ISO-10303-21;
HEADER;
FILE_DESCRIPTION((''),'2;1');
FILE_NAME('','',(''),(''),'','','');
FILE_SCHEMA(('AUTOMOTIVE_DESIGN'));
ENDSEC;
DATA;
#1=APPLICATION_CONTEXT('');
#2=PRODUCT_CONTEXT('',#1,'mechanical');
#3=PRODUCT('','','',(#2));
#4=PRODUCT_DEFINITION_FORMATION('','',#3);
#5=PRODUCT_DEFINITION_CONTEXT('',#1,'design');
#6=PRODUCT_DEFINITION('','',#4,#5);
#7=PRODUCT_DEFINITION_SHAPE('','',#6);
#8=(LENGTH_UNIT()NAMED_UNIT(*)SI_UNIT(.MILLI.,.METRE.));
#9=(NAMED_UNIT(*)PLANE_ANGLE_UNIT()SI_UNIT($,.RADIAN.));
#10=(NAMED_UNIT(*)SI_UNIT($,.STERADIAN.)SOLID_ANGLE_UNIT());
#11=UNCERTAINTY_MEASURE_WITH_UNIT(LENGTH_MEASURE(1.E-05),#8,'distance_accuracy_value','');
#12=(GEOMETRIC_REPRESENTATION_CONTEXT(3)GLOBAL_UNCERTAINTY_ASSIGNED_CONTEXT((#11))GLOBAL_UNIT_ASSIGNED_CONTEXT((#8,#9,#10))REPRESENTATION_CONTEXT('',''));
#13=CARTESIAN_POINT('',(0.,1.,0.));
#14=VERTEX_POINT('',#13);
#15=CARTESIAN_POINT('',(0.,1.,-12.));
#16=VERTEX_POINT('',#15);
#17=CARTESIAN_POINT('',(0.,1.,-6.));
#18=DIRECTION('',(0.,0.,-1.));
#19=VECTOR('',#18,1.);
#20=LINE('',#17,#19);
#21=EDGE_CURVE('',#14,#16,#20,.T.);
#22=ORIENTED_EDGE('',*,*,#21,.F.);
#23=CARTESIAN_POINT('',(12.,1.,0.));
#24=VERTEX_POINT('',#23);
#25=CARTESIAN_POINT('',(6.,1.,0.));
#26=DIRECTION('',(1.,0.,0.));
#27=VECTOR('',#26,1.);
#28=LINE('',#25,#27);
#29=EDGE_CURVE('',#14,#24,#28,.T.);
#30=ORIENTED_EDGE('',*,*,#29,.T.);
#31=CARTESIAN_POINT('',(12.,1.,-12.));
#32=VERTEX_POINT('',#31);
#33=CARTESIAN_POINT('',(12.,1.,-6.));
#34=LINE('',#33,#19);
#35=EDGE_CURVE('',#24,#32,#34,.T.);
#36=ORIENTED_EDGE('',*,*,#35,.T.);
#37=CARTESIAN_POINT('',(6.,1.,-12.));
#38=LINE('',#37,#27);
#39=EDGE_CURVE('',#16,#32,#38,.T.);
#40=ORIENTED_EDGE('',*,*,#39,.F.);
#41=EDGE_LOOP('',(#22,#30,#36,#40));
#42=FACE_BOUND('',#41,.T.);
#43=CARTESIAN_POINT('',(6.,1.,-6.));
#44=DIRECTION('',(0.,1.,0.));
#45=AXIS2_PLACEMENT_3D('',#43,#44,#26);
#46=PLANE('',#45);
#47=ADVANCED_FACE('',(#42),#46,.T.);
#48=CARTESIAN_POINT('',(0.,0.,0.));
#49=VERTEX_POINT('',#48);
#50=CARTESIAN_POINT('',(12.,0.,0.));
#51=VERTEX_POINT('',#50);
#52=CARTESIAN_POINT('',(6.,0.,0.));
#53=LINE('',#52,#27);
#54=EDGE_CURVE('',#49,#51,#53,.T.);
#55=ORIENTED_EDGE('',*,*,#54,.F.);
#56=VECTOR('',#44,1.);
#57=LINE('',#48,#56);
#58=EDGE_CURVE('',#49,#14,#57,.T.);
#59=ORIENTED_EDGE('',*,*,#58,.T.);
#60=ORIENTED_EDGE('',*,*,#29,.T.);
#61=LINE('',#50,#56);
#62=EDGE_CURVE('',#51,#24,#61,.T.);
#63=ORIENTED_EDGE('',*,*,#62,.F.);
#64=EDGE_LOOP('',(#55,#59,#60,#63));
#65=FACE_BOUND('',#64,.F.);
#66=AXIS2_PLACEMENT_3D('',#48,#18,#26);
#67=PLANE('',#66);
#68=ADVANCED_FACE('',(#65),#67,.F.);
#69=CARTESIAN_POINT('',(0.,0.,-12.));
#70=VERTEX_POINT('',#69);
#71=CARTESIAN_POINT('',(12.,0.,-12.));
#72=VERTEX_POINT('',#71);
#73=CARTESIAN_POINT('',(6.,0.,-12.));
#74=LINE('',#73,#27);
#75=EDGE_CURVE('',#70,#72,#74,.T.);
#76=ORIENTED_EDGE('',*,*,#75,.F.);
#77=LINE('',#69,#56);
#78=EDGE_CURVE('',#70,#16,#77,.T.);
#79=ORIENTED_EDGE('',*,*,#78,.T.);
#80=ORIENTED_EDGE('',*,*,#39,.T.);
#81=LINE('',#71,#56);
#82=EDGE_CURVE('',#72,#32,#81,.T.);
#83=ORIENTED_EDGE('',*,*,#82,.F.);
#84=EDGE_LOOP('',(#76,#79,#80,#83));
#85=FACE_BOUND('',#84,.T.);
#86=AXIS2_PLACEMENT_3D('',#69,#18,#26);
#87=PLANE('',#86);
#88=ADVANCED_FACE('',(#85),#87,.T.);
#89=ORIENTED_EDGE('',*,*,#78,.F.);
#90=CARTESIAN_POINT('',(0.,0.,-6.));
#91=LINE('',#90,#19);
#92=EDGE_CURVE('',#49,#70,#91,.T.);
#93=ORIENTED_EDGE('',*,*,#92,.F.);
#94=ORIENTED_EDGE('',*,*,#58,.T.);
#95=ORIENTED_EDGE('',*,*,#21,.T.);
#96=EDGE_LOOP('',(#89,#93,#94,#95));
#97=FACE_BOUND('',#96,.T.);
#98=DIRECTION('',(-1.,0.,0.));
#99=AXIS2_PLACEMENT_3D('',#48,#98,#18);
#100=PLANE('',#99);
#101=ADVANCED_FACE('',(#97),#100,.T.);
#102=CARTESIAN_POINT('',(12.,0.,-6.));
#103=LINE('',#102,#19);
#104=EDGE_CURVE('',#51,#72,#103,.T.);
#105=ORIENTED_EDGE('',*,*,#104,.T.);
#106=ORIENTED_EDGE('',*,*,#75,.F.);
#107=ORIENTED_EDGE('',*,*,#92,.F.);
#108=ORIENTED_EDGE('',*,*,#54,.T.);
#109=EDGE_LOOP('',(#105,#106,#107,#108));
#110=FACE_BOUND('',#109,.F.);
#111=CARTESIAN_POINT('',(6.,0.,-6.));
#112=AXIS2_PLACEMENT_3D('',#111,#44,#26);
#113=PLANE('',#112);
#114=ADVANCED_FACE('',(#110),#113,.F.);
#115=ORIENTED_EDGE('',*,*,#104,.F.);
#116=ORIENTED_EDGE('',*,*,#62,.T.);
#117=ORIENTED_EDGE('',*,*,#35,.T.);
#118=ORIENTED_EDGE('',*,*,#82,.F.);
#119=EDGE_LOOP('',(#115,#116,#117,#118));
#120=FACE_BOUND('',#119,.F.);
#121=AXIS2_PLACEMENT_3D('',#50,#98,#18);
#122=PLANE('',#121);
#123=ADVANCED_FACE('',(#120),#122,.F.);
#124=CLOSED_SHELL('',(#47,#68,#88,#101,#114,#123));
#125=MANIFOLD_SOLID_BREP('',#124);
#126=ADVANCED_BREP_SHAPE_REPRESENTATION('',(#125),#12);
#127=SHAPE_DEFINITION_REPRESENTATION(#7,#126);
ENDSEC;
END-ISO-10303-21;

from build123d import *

# Parameters (mm, degrees)
SKETCH_1_W      = 12
SKETCH_1_H      = 12
EXTRUDE_1_DEPTH = 1


with BuildPart() as part:
    # Эскиз1 → Бобышка-Вытянуть1 (new body)
    with BuildSketch(Plane(origin=(0, 0, 0), x_dir=(1, 0, 0), z_dir=(0, 1, 0))):
        with Locations((6, 6)):
            Rectangle(SKETCH_1_W, SKETCH_1_H)
    extrude(amount=EXTRUDE_1_DEPTH)


solid = part.part
